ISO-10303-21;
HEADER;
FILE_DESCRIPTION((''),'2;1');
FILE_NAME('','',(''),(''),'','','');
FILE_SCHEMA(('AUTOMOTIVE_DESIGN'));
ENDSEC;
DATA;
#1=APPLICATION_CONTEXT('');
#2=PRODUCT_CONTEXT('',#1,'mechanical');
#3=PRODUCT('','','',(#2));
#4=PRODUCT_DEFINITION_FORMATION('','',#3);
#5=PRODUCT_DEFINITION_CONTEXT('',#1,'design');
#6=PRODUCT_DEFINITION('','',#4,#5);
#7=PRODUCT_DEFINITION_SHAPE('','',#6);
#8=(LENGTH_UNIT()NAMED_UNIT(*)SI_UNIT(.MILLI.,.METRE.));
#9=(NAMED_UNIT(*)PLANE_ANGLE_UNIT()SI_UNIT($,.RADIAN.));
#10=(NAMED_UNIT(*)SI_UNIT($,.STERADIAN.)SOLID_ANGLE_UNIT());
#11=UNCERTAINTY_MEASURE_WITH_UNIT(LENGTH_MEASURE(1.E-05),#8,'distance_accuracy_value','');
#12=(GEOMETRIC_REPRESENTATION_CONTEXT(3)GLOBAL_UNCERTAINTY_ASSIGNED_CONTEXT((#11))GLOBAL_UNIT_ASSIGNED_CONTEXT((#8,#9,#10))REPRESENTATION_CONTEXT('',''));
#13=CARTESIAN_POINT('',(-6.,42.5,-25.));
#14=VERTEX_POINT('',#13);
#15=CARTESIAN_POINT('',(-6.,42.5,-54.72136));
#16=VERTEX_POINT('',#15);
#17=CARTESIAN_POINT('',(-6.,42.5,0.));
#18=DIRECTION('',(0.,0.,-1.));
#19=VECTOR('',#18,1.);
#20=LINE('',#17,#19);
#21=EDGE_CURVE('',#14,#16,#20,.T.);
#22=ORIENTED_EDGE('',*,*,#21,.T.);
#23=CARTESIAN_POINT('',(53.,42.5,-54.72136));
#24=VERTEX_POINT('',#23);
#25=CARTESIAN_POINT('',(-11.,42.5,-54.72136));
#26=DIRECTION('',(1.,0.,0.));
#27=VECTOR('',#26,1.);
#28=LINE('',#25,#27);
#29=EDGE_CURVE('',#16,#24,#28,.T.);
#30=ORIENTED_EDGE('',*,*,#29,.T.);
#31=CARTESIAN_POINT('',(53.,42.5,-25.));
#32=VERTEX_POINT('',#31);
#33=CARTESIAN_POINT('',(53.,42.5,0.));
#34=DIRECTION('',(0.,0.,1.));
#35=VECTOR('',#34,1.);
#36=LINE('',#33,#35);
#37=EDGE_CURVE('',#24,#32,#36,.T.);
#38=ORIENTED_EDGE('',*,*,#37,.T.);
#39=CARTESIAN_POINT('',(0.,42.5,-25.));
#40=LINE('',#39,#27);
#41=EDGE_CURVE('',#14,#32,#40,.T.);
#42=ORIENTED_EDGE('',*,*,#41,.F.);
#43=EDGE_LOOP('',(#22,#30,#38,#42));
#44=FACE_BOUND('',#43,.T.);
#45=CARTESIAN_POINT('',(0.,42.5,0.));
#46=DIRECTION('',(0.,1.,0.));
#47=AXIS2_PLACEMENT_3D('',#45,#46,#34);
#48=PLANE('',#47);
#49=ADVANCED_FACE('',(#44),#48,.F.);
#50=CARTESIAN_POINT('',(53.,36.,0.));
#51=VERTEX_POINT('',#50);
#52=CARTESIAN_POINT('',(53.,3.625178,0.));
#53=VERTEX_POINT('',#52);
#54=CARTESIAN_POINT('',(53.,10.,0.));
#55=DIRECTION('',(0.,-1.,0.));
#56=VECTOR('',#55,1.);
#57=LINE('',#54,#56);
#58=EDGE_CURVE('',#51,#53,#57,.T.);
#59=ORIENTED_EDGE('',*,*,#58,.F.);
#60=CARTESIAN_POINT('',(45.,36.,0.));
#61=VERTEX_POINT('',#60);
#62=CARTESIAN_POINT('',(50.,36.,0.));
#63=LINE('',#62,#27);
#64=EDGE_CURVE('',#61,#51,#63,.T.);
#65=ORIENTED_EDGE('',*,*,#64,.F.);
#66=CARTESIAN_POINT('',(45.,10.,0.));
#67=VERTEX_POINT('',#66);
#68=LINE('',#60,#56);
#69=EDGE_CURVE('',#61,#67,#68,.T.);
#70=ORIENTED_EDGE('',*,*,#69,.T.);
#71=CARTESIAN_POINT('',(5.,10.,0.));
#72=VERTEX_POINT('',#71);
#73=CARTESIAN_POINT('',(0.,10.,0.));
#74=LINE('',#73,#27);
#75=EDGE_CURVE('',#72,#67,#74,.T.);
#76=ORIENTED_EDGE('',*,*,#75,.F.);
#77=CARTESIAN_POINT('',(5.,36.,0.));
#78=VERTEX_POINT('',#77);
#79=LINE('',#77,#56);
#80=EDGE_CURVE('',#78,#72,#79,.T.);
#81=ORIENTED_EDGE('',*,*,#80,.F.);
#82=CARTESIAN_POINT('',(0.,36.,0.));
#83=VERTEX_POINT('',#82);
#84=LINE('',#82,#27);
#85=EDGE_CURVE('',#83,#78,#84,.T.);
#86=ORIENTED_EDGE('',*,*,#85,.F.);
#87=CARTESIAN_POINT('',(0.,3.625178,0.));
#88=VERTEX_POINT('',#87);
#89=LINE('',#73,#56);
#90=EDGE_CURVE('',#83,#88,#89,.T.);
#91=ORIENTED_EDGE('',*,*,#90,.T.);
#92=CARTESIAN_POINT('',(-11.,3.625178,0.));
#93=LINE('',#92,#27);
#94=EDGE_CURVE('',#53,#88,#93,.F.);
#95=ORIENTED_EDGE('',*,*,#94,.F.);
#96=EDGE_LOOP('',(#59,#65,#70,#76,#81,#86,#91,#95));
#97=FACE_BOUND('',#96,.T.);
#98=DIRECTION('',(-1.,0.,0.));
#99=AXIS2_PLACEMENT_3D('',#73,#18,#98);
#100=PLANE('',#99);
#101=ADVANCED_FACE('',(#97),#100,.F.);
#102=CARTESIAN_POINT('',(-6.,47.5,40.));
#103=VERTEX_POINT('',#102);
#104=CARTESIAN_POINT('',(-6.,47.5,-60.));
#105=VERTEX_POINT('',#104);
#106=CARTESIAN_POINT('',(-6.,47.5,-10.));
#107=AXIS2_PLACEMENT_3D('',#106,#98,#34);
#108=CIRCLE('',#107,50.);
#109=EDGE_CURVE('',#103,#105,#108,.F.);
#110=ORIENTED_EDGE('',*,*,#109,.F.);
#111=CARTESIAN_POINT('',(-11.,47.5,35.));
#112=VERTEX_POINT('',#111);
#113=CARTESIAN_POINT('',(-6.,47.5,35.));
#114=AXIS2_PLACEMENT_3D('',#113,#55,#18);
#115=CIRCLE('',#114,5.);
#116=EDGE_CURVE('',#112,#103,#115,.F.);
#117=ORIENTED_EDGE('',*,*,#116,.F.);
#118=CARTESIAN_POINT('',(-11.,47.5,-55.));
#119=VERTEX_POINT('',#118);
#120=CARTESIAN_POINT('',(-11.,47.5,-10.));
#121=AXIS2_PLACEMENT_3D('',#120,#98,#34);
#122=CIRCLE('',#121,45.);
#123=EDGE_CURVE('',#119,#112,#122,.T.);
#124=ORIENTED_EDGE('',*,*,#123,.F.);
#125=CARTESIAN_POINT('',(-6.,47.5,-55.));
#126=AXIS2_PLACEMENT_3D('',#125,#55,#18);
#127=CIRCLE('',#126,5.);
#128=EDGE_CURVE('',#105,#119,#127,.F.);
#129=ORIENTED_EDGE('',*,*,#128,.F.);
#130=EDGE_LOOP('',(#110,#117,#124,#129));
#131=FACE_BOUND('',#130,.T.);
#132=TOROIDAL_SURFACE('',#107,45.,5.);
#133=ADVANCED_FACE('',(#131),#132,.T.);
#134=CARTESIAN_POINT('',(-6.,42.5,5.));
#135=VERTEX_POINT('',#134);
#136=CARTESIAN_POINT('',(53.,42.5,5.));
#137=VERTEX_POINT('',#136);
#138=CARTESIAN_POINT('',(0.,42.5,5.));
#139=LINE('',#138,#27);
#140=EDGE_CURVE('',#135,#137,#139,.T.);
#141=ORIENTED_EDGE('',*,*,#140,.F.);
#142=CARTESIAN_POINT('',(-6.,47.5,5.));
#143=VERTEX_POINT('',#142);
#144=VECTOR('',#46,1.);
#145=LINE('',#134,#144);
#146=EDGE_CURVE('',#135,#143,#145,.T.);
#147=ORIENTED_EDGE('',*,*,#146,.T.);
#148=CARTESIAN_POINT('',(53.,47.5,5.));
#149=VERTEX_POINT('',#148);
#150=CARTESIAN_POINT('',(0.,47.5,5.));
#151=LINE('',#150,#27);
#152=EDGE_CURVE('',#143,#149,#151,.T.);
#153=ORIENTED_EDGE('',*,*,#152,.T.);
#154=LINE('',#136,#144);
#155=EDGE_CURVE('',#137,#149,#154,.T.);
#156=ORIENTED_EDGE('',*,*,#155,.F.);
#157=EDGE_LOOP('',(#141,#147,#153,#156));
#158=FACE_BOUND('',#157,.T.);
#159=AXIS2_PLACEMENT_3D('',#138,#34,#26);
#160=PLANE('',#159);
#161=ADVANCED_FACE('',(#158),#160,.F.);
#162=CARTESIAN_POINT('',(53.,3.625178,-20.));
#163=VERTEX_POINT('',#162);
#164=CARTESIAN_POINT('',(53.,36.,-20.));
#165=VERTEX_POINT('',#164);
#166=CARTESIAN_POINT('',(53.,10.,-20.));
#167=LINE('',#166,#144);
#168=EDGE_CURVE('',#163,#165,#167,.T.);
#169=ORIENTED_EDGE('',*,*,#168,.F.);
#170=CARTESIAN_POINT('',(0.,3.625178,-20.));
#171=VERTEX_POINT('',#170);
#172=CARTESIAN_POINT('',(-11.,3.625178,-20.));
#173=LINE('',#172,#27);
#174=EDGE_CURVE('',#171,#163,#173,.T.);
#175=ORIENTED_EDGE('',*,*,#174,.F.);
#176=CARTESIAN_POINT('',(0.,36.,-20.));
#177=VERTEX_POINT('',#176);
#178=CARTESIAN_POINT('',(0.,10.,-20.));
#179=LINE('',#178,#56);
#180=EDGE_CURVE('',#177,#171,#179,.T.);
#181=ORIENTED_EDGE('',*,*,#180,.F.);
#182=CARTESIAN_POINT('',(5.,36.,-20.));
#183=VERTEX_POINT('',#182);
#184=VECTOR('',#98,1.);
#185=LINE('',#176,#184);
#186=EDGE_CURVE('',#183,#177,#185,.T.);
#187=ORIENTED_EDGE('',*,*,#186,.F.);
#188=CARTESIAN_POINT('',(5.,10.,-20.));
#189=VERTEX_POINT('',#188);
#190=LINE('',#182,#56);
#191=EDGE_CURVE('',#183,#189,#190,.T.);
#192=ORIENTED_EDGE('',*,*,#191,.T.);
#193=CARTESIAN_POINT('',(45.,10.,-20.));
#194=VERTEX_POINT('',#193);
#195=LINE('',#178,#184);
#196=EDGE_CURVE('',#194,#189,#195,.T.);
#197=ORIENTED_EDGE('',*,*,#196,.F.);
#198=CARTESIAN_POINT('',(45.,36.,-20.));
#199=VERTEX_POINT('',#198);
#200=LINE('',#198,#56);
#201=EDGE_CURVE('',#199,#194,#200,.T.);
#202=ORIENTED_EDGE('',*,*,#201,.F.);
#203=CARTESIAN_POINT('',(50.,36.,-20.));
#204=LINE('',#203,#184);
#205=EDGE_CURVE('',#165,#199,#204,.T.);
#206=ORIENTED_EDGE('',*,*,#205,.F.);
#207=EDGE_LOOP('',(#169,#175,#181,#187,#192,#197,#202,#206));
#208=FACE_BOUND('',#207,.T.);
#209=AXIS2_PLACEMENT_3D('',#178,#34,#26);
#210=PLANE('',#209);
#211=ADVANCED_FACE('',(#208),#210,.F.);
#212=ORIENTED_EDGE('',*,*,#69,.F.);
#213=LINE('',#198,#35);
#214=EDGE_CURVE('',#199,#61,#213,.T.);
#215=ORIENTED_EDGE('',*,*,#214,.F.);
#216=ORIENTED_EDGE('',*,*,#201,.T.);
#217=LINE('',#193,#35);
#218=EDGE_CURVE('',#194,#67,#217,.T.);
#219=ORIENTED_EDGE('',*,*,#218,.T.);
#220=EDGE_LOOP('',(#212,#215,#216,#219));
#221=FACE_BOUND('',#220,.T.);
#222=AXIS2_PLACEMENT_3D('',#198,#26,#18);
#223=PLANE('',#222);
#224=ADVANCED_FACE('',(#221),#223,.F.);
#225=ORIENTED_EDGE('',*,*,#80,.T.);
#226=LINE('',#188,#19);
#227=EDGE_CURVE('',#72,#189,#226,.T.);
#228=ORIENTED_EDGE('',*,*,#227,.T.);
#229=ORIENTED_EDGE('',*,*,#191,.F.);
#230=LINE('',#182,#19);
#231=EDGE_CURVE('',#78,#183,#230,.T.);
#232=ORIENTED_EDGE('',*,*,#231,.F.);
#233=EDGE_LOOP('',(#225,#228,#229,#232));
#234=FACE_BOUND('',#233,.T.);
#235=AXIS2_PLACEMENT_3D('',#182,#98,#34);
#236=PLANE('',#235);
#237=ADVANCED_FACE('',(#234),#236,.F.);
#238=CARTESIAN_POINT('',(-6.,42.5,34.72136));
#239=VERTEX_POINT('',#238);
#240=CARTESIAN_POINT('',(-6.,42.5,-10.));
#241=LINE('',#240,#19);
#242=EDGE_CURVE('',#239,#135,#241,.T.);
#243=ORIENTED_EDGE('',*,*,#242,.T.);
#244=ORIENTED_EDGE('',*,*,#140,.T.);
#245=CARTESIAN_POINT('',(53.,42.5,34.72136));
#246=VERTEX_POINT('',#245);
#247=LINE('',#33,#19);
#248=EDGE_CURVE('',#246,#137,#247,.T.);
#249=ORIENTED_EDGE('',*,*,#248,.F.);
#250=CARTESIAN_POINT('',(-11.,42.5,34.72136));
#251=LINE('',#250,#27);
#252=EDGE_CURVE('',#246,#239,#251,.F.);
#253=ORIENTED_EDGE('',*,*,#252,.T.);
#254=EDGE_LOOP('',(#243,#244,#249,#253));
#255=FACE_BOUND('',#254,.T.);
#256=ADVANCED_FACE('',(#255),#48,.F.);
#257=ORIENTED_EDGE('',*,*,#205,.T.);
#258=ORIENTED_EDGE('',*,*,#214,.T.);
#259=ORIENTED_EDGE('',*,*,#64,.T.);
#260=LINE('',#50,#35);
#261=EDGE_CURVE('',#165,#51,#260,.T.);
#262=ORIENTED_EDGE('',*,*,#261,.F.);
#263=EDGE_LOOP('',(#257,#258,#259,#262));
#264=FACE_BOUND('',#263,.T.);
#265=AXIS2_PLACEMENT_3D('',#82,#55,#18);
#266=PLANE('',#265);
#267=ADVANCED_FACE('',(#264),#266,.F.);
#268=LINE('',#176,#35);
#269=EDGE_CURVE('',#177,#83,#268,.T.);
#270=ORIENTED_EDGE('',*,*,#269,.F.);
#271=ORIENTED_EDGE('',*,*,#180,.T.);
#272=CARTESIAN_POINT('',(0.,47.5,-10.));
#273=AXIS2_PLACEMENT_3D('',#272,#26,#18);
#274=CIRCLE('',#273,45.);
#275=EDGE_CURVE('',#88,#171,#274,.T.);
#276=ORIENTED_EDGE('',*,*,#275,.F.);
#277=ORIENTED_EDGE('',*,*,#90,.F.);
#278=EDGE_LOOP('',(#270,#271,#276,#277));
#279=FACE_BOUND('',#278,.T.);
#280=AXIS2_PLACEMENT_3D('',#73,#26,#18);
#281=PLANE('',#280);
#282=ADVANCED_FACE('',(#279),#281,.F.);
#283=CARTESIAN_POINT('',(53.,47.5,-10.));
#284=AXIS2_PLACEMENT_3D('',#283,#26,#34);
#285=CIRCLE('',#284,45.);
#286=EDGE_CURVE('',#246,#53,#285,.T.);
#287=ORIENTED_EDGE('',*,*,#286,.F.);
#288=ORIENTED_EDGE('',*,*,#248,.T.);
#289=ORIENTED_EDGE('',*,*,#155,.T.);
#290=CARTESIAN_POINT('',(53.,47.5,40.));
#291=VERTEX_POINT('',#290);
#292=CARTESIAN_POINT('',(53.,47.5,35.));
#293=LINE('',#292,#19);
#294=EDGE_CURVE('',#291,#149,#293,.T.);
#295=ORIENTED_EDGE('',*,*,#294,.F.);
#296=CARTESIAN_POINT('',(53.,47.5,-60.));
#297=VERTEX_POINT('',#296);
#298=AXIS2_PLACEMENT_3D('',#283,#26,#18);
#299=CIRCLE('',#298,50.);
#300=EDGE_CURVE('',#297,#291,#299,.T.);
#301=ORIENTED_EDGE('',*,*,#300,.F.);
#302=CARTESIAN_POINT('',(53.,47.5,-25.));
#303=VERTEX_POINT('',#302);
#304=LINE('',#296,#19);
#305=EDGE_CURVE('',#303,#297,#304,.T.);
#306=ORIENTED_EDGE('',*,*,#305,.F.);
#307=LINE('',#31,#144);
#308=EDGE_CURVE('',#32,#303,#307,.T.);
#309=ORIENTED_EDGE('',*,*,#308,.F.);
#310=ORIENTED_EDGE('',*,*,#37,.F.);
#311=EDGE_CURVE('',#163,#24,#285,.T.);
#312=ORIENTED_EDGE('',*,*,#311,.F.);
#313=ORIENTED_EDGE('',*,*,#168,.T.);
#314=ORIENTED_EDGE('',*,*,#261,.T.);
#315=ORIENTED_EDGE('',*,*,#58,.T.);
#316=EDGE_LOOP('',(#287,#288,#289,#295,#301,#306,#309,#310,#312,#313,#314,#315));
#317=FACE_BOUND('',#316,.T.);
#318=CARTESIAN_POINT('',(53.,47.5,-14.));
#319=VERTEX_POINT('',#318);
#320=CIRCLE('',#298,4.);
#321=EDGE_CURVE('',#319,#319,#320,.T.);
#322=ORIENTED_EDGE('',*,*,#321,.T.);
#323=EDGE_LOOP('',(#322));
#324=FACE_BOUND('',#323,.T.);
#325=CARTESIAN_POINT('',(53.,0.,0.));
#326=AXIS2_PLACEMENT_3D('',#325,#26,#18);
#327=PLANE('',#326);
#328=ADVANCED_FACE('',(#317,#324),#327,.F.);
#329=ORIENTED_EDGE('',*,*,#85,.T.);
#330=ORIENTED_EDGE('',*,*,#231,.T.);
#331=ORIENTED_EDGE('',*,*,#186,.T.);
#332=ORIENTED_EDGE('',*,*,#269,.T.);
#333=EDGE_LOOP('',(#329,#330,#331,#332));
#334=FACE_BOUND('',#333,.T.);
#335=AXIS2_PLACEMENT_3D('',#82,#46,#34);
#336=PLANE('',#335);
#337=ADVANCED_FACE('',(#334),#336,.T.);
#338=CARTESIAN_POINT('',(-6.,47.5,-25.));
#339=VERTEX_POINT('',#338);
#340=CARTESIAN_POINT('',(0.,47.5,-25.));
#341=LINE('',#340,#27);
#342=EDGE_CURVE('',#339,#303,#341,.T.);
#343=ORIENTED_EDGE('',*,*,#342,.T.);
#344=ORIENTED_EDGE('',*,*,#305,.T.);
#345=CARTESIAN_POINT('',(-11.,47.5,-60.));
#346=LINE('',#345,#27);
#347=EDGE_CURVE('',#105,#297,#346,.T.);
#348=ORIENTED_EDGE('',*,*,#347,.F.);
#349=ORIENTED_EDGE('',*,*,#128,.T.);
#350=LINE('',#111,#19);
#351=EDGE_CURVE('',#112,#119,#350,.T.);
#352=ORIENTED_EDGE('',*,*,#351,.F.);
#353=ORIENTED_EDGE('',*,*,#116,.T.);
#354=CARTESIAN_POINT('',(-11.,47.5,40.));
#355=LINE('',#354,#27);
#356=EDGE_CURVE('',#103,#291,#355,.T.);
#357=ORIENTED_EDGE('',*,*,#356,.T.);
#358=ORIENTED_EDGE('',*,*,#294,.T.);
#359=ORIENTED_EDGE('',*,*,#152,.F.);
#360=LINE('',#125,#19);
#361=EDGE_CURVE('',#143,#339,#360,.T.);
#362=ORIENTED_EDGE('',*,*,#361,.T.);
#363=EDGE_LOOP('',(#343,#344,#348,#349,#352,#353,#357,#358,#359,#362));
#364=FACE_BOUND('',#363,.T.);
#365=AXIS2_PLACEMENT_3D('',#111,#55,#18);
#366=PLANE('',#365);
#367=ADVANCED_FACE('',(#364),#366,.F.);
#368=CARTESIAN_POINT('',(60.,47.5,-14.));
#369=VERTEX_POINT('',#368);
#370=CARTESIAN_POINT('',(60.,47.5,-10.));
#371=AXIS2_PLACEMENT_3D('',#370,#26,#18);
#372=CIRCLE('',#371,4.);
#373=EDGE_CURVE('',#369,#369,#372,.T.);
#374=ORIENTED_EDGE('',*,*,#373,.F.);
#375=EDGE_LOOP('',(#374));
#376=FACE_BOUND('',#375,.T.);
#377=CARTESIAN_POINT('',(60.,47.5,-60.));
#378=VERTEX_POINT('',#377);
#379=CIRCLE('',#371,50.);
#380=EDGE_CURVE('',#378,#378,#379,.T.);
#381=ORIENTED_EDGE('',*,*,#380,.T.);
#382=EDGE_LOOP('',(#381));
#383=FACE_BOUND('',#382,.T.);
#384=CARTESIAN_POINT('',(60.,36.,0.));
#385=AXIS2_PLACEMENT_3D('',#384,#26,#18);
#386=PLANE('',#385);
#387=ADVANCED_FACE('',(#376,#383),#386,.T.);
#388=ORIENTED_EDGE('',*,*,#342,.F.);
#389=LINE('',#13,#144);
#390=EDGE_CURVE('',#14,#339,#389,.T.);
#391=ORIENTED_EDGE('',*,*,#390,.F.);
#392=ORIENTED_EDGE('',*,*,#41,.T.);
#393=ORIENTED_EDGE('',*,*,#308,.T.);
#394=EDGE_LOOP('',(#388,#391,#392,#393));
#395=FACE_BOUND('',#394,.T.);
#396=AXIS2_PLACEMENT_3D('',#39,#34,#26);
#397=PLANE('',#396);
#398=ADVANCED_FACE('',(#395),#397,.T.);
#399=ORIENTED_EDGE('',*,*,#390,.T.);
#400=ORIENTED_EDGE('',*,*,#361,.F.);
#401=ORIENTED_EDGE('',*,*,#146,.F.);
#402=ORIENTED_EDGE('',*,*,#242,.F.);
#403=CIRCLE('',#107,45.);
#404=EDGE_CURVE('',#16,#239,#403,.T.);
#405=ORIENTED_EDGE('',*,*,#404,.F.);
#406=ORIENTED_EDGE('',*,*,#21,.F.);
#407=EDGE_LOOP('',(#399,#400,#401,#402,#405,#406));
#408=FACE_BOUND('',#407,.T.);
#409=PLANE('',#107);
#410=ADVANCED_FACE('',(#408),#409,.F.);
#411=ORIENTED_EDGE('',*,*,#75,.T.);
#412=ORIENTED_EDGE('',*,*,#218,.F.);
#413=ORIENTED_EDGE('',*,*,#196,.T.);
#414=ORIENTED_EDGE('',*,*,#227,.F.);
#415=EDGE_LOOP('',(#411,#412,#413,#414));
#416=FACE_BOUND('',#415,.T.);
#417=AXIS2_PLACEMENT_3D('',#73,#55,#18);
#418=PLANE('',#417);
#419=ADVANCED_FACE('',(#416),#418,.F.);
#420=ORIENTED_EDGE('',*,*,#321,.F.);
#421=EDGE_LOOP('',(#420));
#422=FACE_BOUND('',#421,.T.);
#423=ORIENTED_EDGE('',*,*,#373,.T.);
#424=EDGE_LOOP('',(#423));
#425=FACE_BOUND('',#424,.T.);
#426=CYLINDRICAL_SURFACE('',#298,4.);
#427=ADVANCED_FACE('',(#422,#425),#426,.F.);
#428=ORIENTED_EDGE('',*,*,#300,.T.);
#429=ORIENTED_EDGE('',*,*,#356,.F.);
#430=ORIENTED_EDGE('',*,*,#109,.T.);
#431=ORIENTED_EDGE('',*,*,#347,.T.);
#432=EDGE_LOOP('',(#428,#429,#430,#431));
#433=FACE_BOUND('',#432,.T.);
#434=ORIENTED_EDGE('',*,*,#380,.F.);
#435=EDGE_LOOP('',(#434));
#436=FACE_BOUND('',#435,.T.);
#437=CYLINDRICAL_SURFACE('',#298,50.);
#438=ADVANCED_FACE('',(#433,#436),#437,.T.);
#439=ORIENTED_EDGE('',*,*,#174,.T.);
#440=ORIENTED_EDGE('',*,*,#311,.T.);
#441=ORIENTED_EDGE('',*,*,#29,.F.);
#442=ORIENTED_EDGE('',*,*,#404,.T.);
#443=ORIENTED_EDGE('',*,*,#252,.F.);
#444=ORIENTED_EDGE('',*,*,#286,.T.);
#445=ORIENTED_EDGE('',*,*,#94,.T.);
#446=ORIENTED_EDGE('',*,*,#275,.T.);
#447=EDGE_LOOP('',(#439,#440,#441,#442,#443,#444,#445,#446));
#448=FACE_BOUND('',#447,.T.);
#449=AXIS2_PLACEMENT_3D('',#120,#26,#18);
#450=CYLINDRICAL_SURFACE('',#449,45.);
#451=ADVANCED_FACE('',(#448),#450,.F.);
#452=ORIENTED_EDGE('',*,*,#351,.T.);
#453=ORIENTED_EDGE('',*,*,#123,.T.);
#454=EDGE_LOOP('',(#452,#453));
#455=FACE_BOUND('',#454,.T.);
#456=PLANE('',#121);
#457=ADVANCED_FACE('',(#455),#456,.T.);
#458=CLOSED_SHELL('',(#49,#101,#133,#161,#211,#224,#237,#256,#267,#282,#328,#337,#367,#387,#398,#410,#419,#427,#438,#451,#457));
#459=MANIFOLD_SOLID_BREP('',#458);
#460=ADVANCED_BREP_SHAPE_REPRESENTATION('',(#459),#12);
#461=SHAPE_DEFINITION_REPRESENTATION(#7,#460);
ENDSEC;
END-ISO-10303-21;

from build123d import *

# Parameters (mm, degrees)
SKETCH1_W           = 50
SKETCH1_H           = 20
BOSS_EXTRUDE1_DEPTH = 10
SKETCH3_W           = 5
SKETCH3_H           = 20
BOSS_EXTRUDE2_DEPTH = 26
SKETCH4_W           = 15
SKETCH4_H           = 36
BOSS_EXTRUDE3_DEPTH = 20
BOSS_EXTRUDE4_DEPTH = 7
BOSS_EXTRUDE5_START = -7
SKETCH6_R           = 50
SKETCH6_R_2         = 4
BOSS_EXTRUDE5_DEPTH = 7
BOSS_EXTRUDE6_START = 64
BOSS_EXTRUDE6_DEPTH = 64
BOSS_EXTRUDE7_DEPTH = 5
FILLET1_R           = 5
SKETCH9_W           = 59
SKETCH9_H           = 30
BOSS_EXTRUDE8_DEPTH = 5


with BuildPart() as part:
    # Sketch1 → Boss-Extrude1 (new body)
    with BuildSketch(Plane(origin=(0, 0, 0), x_dir=(1, 0, 0), z_dir=(0, 1, 0))):
        with Locations((25, 10)):
            Rectangle(SKETCH1_W, SKETCH1_H)
    extrude(amount=BOSS_EXTRUDE1_DEPTH)

    # Sketch3 → Boss-Extrude2 (add)
    with BuildSketch(Plane(origin=(0, 10, 0), x_dir=(1, 0, 0), z_dir=(0, 1, 0))):
        with Locations((2.5, 10)):
            Rectangle(SKETCH3_W, SKETCH3_H)
        with Locations((47.5, 10)):
            Rectangle(SKETCH3_W, SKETCH3_H)
    extrude(amount=BOSS_EXTRUDE2_DEPTH)

    # Sketch4 → Boss-Extrude3 (add)
    with BuildSketch(Plane(origin=(0, 0, -20), x_dir=(-1, 0, 0), z_dir=(0, 0, -1))):
        with Locations((-52.5, 18)):
            Rectangle(SKETCH4_W, SKETCH4_H)
    extrude(amount=-BOSS_EXTRUDE3_DEPTH)

    # Sketch5 → Boss-Extrude4 (add)
    with BuildSketch(Plane(origin=(60, 0, 0), x_dir=(0, 0, -1), z_dir=(1, 0, 0))):
        with BuildLine():
            Line((10, 37.5), (10, 36))
            Line((10, 36), (20, 36))
            Line((20, 36), (20, 47.5))
            ThreePointArc((20, 47.5), (17.071067812, 40.428932188), (10, 37.5))
        make_face()
        with BuildLine():
            ThreePointArc((0, 47.5), (2.928932188, 40.428932188), (10, 37.5))
            Line((10, 37.5), (10, 43.5))
            ThreePointArc((10, 43.5), (7.171572875, 44.671572875), (6, 47.5))
            Line((6, 47.5), (0, 47.5))
        make_face()
        with BuildLine():
            Line((10, 43.5), (10, 37.5))
            ThreePointArc((10, 37.5), (17.071067812, 40.428932188), (20, 47.5))
            Line((20, 47.5), (14, 47.5))
            ThreePointArc((14, 47.5), (12.828427125, 44.671572875), (10, 43.5))
        make_face()
        with BuildLine():
            Line((0, 36), (10, 36))
            Line((10, 36), (10, 37.5))
            ThreePointArc((10, 37.5), (2.928932188, 40.428932188), (0, 47.5))
            Line((0, 47.5), (0, 36))
        make_face()
        with BuildLine():
            ThreePointArc((20, 47.5), (10, 57.5), (0, 47.5))
            Line((0, 47.5), (6, 47.5))
            ThreePointArc((6, 47.5), (10, 51.5), (14, 47.5))
            Line((14, 47.5), (20, 47.5))
        make_face()
    extrude(amount=-BOSS_EXTRUDE4_DEPTH)

    # Sketch6 → Boss-Extrude5 (add)
    with BuildSketch(Plane(origin=(60, 0, 0), x_dir=(0, 0, -1), z_dir=(1, 0, 0)).offset(BOSS_EXTRUDE5_START)):
        with Locations((10, 47.5)):
            Circle(SKETCH6_R)
        with Locations((10, 47.5)):
            Circle(SKETCH6_R_2, mode=Mode.SUBTRACT)
    extrude(amount=BOSS_EXTRUDE5_DEPTH)

    # Sketch7 → Boss-Extrude6 (add)
    with BuildSketch(Plane.ZY.offset(-53).offset(BOSS_EXTRUDE6_START)):
        with BuildLine():
            Line((-60, 47.5), (-55, 47.5))
            ThreePointArc((-55, 47.5), (-10, 2.5), (35, 47.5))
            Line((35, 47.5), (40, 47.5))
            ThreePointArc((40, 47.5), (-10, -2.5), (-60, 47.5))
        make_face()
    extrude(amount=-BOSS_EXTRUDE6_DEPTH)

    # Sketch8 → Boss-Extrude7 (add)
    with BuildSketch(Plane.ZY.offset(11)):
        with BuildLine():
            Line((-55, 47.5), (35, 47.5))
            ThreePointArc((35, 47.5), (-10, 2.5), (-55, 47.5))
        make_face()
    extrude(amount=-BOSS_EXTRUDE7_DEPTH)

    # Fillet1
    fillet1_edges = [part.edges().sort_by_distance(p)[0] for p in [
        (-11, -2.5, -10),
    ]]
    fillet(fillet1_edges, radius=FILLET1_R)

    # Sketch9 → Boss-Extrude8 (add)
    with BuildSketch(Plane(origin=(0, 47.5, 0), x_dir=(1, 0, 0), z_dir=(0, 1, 0))):
        with Locations((23.5, 40)):
            Rectangle(SKETCH9_W, SKETCH9_H)
        with Locations((23.5, -20)):
            Rectangle(SKETCH9_W, SKETCH9_H)
    extrude(amount=-BOSS_EXTRUDE8_DEPTH)


solid = part.part
